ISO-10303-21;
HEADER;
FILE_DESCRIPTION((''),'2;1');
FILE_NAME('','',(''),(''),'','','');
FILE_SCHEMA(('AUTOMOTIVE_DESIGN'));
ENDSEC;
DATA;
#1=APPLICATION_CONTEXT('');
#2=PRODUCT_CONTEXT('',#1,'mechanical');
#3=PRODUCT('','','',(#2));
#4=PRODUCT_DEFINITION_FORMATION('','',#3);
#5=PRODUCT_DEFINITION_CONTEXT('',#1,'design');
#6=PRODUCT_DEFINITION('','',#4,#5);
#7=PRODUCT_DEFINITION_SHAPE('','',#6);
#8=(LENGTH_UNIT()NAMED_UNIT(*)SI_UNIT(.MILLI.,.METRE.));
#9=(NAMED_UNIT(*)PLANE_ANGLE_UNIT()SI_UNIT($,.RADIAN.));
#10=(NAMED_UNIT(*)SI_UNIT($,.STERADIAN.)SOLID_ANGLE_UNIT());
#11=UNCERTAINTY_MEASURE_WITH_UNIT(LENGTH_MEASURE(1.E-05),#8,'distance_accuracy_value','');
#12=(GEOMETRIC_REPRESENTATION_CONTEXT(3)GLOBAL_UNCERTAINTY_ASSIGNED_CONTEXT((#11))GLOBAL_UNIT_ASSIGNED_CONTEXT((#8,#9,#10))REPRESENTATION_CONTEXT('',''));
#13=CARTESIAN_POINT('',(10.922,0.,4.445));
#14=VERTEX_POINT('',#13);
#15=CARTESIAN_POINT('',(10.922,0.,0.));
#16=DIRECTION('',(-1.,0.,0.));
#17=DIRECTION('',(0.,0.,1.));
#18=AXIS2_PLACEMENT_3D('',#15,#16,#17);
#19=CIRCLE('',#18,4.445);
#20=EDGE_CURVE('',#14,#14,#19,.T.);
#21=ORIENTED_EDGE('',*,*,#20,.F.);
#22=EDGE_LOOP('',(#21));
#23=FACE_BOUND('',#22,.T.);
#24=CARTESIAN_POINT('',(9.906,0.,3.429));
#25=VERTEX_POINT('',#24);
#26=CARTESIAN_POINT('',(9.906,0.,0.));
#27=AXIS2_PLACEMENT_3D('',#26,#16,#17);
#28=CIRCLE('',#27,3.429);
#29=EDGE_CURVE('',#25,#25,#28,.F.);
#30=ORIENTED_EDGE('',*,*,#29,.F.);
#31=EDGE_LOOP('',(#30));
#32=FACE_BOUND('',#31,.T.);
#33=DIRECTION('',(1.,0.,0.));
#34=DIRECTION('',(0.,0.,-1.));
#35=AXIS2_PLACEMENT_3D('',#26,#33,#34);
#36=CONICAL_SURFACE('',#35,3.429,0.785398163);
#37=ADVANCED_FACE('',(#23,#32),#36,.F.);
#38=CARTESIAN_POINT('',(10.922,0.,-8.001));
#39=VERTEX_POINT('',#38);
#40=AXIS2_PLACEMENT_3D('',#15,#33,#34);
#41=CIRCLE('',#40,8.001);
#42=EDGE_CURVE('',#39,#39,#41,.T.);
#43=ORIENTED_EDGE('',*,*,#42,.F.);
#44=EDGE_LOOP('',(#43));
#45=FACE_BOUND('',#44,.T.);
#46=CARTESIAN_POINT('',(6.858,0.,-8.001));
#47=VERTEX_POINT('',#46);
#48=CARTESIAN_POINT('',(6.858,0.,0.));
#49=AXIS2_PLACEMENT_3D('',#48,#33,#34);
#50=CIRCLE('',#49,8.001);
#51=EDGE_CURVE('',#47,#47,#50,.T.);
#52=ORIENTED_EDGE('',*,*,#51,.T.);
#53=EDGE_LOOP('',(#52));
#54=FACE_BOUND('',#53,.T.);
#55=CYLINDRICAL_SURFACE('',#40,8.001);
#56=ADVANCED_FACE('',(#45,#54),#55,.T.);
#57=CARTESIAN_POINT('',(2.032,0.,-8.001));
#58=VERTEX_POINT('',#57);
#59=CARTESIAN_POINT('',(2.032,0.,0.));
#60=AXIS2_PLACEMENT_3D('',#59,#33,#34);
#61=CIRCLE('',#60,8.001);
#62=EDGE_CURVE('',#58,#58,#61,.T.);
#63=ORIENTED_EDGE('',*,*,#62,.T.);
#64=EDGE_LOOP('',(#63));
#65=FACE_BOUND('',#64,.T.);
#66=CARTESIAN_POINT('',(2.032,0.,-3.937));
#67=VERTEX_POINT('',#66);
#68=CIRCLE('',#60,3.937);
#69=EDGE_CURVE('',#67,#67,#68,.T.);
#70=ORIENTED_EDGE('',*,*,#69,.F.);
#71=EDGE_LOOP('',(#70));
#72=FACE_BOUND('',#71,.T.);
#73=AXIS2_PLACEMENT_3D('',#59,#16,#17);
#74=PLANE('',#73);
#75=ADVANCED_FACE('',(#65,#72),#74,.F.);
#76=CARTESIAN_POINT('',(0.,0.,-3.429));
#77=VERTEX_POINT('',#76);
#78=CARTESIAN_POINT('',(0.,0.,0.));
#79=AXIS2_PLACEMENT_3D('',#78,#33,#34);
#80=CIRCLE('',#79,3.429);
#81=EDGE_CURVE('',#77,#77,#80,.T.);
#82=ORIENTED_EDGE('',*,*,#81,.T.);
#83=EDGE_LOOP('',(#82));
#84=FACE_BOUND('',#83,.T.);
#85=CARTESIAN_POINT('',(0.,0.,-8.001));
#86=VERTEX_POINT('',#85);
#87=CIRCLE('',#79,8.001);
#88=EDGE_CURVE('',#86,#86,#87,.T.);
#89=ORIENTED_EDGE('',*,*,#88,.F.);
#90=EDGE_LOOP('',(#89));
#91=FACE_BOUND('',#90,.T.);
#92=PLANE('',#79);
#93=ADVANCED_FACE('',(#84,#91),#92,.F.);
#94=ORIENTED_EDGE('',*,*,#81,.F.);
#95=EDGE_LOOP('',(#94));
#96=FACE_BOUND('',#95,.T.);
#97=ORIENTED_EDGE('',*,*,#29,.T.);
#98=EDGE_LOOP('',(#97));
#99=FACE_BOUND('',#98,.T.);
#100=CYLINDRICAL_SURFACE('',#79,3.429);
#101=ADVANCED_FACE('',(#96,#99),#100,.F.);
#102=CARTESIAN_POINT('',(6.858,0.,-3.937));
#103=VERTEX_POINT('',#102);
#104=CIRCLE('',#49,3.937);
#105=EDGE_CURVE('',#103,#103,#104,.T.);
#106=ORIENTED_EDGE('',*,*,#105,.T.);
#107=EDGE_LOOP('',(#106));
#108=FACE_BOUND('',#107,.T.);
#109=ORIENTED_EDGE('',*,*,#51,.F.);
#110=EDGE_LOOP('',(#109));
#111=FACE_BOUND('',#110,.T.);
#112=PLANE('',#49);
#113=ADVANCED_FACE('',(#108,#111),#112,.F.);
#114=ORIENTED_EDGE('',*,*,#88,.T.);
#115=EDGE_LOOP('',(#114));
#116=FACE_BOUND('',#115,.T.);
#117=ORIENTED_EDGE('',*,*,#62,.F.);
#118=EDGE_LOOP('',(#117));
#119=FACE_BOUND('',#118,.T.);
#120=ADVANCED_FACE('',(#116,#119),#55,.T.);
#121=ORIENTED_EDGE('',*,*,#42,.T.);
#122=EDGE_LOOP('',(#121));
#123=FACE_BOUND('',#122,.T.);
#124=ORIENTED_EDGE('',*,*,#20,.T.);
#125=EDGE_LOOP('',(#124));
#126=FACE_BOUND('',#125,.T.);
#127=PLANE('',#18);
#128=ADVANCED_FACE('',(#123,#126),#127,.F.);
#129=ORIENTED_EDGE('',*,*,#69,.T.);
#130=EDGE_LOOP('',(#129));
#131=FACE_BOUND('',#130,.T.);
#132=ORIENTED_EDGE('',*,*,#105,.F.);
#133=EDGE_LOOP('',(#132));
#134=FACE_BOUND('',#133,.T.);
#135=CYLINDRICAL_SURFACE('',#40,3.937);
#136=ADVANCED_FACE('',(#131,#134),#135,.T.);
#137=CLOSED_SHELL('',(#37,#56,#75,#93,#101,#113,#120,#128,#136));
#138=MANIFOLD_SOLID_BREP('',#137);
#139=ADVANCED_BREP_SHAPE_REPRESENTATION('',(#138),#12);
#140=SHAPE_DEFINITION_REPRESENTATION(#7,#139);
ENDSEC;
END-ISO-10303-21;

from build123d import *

# Parameters (mm, degrees)
SKETCH3_R               = 3.429
CUT_EXTRUDE1_DEPTH      = 1
CUT_EXTRUDE1_DEPTH_BACK = 11.922
CHAMFER1_SIZE           = 1.016


with BuildPart() as part:
    # Sketch2 → Revolve1 (revolve)
    with BuildSketch(Plane.XY):
        Polygon((10.922, 0), (0, 0), (0, 8.001), (2.032, 8.001), (2.032, 3.937), (6.858, 3.937), (6.858, 8.001), (10.922, 8.001), align=None)
    revolve(axis=Axis((10.922, 0, 0), (-1, 0, 0)))

    # Sketch3 → Cut-Extrude1 (cut, two sides)
    with BuildSketch(Plane(origin=(10.922, 0, 0), x_dir=(0, 0, -1), z_dir=(1, 0, 0))) as cut_extrude1_sk:
        Circle(SKETCH3_R)
    extrude(amount=CUT_EXTRUDE1_DEPTH, mode=Mode.SUBTRACT)
    extrude(cut_extrude1_sk.sketch, amount=-CUT_EXTRUDE1_DEPTH_BACK, mode=Mode.SUBTRACT)

    # Chamfer1
    chamfer1_edges = [part.edges().sort_by_distance(p)[0] for p in [
        (10.922, 0, 3.429),
    ]]
    chamfer(chamfer1_edges, length=CHAMFER1_SIZE)


solid = part.part
